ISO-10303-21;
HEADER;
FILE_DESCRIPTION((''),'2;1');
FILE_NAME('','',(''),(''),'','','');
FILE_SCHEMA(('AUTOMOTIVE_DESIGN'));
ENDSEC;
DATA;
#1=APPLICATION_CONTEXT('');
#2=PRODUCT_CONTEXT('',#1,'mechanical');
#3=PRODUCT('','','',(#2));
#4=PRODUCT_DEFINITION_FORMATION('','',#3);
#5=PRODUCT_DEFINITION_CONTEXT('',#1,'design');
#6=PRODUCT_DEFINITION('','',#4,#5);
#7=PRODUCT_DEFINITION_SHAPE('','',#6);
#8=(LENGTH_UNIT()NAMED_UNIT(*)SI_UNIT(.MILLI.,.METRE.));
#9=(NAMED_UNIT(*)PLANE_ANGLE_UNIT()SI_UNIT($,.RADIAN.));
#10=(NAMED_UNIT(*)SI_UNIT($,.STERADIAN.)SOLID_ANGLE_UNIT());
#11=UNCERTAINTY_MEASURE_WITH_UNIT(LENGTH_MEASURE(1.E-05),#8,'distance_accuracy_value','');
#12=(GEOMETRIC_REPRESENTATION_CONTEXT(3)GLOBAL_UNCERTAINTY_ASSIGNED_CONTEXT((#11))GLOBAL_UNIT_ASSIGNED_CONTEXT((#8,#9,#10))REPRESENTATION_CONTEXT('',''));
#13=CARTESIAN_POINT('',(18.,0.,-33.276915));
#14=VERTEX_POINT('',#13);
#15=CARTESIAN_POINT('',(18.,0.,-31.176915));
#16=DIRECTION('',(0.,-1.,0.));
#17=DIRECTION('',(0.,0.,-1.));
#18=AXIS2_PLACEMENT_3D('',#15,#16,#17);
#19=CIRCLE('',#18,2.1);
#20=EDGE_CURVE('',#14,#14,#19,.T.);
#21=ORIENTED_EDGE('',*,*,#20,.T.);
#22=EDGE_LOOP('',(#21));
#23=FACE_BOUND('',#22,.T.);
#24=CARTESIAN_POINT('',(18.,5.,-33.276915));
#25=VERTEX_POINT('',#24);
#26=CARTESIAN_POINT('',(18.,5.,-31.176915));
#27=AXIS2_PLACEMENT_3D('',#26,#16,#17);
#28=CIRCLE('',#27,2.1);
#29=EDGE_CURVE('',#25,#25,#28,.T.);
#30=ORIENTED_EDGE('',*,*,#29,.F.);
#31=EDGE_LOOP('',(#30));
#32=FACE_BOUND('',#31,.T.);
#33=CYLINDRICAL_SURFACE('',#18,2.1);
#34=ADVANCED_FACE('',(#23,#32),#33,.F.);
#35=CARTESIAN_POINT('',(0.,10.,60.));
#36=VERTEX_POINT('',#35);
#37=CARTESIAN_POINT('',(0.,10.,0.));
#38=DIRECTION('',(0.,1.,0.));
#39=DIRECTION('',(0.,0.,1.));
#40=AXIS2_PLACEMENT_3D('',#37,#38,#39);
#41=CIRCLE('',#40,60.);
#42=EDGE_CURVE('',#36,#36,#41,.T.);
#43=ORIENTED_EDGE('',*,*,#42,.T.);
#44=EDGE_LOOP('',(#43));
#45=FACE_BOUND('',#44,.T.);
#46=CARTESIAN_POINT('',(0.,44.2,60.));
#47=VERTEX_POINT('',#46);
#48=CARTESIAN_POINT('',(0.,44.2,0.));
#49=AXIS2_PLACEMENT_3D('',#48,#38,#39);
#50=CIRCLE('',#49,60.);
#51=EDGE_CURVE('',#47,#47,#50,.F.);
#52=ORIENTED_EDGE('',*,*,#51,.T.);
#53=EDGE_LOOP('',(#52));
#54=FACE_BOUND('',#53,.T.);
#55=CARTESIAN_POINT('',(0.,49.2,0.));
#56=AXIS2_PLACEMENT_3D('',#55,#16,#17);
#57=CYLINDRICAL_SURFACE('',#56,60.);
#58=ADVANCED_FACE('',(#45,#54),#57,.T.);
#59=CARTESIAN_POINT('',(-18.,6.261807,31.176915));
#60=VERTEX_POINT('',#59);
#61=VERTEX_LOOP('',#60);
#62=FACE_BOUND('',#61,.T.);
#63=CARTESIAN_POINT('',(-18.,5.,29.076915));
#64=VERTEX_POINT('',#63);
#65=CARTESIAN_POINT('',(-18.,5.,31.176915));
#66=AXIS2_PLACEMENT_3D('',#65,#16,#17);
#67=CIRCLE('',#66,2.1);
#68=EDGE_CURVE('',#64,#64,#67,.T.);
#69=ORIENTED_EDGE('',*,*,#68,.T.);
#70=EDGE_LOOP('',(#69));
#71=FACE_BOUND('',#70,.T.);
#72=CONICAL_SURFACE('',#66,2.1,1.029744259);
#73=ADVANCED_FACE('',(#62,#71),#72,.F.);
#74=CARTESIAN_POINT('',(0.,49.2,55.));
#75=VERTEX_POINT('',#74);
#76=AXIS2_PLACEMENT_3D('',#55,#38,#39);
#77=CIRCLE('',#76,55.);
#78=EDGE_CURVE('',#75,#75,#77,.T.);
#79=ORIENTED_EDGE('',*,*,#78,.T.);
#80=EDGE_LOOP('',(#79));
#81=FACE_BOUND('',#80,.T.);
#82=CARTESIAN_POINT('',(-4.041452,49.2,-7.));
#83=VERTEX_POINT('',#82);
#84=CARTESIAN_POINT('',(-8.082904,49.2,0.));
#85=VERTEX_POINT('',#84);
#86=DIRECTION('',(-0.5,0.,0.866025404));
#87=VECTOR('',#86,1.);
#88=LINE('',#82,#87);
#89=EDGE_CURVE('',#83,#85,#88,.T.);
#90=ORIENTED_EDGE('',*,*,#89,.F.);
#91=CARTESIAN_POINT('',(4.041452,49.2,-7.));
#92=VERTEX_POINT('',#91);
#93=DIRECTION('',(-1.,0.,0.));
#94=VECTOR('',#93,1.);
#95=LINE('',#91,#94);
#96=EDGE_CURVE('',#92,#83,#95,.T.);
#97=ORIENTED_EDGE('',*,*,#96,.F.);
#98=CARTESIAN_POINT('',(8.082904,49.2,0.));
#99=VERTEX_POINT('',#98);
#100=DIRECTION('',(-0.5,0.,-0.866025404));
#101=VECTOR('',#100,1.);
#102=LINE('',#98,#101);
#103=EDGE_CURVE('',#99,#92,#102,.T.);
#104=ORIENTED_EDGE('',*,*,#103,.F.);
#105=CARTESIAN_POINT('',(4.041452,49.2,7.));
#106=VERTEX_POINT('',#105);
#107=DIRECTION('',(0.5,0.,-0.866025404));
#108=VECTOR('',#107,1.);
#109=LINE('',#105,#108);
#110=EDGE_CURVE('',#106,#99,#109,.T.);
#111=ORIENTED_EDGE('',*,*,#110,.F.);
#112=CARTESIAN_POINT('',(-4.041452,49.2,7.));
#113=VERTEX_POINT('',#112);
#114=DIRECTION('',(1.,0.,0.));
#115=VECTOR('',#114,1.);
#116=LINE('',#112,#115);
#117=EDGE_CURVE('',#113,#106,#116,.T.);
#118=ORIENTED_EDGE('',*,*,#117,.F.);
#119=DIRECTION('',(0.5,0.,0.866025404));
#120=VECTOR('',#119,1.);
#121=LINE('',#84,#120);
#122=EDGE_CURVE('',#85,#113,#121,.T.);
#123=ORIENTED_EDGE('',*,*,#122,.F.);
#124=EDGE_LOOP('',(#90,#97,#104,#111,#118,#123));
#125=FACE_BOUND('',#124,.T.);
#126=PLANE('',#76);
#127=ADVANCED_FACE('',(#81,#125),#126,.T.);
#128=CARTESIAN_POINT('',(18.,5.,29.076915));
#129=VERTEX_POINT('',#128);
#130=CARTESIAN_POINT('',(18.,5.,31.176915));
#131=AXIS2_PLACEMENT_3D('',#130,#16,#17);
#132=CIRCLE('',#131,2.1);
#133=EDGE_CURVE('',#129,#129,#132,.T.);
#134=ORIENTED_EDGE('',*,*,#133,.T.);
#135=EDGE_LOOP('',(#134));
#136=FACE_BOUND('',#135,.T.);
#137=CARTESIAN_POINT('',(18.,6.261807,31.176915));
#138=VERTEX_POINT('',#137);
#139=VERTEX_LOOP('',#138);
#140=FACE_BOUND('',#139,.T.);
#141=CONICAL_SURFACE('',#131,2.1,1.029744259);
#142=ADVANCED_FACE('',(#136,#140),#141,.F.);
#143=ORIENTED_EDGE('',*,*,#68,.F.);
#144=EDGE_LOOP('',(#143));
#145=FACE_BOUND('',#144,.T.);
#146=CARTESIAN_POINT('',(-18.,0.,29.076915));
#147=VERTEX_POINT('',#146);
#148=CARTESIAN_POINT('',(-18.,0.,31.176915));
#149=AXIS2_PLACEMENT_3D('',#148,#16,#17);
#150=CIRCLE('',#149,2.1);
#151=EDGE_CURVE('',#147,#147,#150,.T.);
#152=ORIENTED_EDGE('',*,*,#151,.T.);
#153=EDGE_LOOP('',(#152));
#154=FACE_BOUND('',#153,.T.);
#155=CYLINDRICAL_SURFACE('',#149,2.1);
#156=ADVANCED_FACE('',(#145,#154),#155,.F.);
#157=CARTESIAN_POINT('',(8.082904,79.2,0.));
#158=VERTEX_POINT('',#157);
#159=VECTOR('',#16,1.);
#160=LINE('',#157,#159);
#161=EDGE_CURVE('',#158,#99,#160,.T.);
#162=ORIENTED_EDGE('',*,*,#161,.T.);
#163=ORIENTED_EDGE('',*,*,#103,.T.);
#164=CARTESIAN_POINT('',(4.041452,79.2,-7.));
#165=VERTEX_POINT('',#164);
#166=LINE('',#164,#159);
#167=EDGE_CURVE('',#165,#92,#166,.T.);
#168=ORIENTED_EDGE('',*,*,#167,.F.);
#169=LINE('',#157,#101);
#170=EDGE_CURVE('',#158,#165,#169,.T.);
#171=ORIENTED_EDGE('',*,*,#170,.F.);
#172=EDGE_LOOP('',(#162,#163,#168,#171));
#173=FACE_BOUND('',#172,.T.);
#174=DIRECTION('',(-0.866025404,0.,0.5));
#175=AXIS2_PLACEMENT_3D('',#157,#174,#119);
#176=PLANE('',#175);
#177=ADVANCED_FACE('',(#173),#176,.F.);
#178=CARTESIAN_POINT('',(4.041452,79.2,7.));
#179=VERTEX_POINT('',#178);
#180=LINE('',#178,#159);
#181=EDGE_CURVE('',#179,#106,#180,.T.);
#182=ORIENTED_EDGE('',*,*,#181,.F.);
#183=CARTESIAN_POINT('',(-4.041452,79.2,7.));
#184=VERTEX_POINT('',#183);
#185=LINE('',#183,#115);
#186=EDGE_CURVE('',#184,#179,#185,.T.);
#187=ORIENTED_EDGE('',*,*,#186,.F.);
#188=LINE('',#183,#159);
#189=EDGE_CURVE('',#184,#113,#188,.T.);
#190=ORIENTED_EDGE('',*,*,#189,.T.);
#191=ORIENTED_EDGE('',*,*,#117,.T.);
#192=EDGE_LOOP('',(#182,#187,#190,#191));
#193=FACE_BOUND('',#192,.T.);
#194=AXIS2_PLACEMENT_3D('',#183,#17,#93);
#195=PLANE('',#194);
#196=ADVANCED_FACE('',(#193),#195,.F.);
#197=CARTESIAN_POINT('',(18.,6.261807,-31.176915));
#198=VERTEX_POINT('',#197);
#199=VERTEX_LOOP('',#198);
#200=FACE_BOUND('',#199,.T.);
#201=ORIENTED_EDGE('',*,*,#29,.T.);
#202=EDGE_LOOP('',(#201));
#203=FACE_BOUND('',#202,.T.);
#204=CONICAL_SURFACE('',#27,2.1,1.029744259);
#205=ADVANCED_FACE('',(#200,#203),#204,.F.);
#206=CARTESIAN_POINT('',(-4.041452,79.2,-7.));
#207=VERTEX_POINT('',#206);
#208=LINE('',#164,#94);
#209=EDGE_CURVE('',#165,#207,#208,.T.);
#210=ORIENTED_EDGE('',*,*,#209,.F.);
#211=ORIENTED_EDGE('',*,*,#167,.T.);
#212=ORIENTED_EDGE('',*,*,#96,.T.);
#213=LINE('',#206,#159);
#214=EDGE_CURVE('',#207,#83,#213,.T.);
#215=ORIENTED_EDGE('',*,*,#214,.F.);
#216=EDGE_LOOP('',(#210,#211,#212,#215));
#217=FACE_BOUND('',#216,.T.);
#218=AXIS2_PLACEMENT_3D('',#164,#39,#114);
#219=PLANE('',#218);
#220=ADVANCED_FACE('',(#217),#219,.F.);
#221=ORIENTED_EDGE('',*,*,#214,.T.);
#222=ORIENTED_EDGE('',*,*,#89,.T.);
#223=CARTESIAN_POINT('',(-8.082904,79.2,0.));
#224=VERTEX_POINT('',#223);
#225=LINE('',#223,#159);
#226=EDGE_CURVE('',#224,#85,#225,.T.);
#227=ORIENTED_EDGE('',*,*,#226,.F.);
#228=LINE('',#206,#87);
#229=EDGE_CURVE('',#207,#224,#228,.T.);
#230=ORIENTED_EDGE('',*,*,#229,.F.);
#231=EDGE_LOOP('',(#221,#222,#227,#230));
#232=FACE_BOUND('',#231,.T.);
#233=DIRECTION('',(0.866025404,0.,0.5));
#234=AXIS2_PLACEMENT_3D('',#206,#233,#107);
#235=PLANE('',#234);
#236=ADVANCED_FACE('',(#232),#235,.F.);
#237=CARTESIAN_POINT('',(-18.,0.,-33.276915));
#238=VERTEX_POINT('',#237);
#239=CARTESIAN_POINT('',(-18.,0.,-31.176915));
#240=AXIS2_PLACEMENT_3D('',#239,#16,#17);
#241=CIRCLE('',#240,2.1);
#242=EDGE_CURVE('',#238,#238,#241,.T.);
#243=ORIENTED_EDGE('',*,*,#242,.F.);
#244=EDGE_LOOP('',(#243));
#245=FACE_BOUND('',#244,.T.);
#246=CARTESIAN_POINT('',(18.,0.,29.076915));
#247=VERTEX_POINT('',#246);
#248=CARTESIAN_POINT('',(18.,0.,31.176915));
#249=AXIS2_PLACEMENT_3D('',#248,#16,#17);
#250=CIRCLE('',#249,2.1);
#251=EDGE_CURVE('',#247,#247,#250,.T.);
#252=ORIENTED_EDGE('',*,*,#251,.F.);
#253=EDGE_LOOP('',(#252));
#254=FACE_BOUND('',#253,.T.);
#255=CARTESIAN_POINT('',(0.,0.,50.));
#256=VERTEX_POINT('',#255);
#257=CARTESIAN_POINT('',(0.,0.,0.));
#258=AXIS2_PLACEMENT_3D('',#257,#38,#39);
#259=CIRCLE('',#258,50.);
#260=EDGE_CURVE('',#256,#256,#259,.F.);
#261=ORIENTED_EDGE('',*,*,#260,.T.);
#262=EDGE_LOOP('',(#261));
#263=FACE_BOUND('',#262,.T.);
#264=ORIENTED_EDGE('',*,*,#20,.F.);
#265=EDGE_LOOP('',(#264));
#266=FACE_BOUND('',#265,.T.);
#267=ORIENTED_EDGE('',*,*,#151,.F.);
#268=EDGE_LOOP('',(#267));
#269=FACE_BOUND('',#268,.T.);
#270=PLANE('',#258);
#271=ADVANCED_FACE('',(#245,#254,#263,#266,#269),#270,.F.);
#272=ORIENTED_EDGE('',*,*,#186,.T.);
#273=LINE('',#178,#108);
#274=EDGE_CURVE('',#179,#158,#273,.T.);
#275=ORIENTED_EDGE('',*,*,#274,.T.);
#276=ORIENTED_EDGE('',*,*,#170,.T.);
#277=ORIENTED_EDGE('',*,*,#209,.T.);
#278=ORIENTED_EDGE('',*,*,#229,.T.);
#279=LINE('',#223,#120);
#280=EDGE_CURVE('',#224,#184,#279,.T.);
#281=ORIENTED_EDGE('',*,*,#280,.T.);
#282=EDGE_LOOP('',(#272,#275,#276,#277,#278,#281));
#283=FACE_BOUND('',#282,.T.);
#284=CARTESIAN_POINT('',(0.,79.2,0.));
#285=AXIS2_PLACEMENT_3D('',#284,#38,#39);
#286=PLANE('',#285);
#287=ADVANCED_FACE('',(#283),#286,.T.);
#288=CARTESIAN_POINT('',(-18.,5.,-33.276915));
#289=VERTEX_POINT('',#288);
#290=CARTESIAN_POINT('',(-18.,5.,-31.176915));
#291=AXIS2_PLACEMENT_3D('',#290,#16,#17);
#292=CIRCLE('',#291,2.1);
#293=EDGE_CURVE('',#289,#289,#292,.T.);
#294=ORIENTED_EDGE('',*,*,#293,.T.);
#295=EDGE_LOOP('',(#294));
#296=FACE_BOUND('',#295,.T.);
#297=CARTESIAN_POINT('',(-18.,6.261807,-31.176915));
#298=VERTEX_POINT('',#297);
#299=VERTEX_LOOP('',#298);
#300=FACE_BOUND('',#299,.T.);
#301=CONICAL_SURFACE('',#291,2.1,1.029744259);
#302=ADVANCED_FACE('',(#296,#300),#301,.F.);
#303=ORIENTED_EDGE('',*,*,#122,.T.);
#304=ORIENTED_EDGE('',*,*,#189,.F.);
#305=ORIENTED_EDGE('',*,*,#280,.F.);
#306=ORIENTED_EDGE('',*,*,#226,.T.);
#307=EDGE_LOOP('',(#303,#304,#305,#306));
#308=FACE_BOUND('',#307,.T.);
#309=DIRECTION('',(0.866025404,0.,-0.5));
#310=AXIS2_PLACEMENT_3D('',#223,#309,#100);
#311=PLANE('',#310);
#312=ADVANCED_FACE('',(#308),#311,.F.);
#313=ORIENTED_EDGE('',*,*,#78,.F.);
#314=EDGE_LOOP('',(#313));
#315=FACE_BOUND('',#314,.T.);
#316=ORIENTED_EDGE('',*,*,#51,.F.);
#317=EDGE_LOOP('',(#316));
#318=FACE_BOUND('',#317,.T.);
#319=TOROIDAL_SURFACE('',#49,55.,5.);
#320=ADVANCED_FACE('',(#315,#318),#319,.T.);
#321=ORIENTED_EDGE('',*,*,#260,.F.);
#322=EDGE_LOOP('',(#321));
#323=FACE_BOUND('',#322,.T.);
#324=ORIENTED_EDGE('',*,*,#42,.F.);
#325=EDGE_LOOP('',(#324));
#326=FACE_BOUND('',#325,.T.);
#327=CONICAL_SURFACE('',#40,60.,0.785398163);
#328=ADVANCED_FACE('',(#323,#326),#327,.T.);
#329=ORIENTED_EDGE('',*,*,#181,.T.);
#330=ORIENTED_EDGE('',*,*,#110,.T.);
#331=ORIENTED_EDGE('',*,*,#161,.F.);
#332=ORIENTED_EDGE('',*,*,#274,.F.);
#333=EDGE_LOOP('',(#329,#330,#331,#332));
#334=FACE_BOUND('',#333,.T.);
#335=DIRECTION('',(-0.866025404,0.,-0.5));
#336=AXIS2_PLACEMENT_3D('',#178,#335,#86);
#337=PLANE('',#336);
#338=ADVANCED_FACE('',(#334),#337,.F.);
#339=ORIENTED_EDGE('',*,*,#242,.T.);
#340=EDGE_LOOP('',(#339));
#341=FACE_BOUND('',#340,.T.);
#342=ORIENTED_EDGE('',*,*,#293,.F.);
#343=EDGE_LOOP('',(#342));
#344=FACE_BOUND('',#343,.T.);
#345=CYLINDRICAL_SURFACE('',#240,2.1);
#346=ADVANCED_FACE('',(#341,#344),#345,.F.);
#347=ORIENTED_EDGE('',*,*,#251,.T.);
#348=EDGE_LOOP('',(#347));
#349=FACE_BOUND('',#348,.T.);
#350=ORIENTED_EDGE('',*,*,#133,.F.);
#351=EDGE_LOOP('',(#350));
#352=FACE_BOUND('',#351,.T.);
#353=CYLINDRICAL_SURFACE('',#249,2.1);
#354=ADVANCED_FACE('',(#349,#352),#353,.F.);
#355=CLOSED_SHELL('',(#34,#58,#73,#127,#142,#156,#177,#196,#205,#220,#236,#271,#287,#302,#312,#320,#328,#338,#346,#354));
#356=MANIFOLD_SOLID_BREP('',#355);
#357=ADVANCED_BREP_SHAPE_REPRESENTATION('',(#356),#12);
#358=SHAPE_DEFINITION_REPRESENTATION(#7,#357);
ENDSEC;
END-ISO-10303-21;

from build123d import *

# Parameters (mm, degrees)
SKETCH1_R                       = 60
BOSS_EXTRUDE1_DEPTH             = 49.2
BOSS_EXTRUDE3_DEPTH             = 30
FILLET1_R                       = 5
TAP_DRILL_FOR_M5X0_8_TAP1_D     = 4.2
TAP_DRILL_FOR_M5X0_8_TAP1_DEPTH = 5
TAP_DRILL_FOR_M5X0_8_TAP1_TIP   = 1.2618073
CHAMFER1_SIZE                   = 10


with BuildPart() as part:
    # Sketch1 → Boss-Extrude1 (new body)
    with BuildSketch(Plane(origin=(0, 0, 0), x_dir=(1, 0, 0), z_dir=(0, 1, 0))):
        Circle(SKETCH1_R)
    extrude(amount=BOSS_EXTRUDE1_DEPTH)

    # Sketch2 → Boss-Extrude3 (add)
    with BuildSketch(Plane(origin=(0, 49.2, 0), x_dir=(1, 0, 0), z_dir=(0, 1, 0))):
        Polygon((-4.041451884, 7), (-8.082903769, 0), (-4.041451884, -7), (4.041451884, -7), (8.082903769, 0), (4.041451884, 7), align=None)
    extrude(amount=BOSS_EXTRUDE3_DEPTH)

    # Fillet1
    fillet1_edges = [part.edges().sort_by_distance(p)[0] for p in [
        (-60, 49.2, 0),
    ]]
    fillet(fillet1_edges, radius=FILLET1_R)

    # Tap Drill for M5x0.8 Tap1
    with Locations(Plane(origin=(0, 0, 0), x_dir=(-1, 0, 0), z_dir=(0, -1, 0))):
        with Locations((-18, 31.176914536), (18, 31.176914536), (18, -31.176914536), (-18, -31.176914536)):
            Hole(TAP_DRILL_FOR_M5X0_8_TAP1_D / 2, depth=TAP_DRILL_FOR_M5X0_8_TAP1_DEPTH)
            with Locations((0, 0, -(TAP_DRILL_FOR_M5X0_8_TAP1_DEPTH + TAP_DRILL_FOR_M5X0_8_TAP1_TIP / 2))):  # 118° drill point
                Cone(0, TAP_DRILL_FOR_M5X0_8_TAP1_D / 2, TAP_DRILL_FOR_M5X0_8_TAP1_TIP, mode=Mode.SUBTRACT)

    # Chamfer1
    chamfer1_edges = [part.edges().sort_by_distance(p)[0] for p in [
        (-60, 0, 0),
    ]]
    chamfer(chamfer1_edges, length=CHAMFER1_SIZE)


solid = part.part
